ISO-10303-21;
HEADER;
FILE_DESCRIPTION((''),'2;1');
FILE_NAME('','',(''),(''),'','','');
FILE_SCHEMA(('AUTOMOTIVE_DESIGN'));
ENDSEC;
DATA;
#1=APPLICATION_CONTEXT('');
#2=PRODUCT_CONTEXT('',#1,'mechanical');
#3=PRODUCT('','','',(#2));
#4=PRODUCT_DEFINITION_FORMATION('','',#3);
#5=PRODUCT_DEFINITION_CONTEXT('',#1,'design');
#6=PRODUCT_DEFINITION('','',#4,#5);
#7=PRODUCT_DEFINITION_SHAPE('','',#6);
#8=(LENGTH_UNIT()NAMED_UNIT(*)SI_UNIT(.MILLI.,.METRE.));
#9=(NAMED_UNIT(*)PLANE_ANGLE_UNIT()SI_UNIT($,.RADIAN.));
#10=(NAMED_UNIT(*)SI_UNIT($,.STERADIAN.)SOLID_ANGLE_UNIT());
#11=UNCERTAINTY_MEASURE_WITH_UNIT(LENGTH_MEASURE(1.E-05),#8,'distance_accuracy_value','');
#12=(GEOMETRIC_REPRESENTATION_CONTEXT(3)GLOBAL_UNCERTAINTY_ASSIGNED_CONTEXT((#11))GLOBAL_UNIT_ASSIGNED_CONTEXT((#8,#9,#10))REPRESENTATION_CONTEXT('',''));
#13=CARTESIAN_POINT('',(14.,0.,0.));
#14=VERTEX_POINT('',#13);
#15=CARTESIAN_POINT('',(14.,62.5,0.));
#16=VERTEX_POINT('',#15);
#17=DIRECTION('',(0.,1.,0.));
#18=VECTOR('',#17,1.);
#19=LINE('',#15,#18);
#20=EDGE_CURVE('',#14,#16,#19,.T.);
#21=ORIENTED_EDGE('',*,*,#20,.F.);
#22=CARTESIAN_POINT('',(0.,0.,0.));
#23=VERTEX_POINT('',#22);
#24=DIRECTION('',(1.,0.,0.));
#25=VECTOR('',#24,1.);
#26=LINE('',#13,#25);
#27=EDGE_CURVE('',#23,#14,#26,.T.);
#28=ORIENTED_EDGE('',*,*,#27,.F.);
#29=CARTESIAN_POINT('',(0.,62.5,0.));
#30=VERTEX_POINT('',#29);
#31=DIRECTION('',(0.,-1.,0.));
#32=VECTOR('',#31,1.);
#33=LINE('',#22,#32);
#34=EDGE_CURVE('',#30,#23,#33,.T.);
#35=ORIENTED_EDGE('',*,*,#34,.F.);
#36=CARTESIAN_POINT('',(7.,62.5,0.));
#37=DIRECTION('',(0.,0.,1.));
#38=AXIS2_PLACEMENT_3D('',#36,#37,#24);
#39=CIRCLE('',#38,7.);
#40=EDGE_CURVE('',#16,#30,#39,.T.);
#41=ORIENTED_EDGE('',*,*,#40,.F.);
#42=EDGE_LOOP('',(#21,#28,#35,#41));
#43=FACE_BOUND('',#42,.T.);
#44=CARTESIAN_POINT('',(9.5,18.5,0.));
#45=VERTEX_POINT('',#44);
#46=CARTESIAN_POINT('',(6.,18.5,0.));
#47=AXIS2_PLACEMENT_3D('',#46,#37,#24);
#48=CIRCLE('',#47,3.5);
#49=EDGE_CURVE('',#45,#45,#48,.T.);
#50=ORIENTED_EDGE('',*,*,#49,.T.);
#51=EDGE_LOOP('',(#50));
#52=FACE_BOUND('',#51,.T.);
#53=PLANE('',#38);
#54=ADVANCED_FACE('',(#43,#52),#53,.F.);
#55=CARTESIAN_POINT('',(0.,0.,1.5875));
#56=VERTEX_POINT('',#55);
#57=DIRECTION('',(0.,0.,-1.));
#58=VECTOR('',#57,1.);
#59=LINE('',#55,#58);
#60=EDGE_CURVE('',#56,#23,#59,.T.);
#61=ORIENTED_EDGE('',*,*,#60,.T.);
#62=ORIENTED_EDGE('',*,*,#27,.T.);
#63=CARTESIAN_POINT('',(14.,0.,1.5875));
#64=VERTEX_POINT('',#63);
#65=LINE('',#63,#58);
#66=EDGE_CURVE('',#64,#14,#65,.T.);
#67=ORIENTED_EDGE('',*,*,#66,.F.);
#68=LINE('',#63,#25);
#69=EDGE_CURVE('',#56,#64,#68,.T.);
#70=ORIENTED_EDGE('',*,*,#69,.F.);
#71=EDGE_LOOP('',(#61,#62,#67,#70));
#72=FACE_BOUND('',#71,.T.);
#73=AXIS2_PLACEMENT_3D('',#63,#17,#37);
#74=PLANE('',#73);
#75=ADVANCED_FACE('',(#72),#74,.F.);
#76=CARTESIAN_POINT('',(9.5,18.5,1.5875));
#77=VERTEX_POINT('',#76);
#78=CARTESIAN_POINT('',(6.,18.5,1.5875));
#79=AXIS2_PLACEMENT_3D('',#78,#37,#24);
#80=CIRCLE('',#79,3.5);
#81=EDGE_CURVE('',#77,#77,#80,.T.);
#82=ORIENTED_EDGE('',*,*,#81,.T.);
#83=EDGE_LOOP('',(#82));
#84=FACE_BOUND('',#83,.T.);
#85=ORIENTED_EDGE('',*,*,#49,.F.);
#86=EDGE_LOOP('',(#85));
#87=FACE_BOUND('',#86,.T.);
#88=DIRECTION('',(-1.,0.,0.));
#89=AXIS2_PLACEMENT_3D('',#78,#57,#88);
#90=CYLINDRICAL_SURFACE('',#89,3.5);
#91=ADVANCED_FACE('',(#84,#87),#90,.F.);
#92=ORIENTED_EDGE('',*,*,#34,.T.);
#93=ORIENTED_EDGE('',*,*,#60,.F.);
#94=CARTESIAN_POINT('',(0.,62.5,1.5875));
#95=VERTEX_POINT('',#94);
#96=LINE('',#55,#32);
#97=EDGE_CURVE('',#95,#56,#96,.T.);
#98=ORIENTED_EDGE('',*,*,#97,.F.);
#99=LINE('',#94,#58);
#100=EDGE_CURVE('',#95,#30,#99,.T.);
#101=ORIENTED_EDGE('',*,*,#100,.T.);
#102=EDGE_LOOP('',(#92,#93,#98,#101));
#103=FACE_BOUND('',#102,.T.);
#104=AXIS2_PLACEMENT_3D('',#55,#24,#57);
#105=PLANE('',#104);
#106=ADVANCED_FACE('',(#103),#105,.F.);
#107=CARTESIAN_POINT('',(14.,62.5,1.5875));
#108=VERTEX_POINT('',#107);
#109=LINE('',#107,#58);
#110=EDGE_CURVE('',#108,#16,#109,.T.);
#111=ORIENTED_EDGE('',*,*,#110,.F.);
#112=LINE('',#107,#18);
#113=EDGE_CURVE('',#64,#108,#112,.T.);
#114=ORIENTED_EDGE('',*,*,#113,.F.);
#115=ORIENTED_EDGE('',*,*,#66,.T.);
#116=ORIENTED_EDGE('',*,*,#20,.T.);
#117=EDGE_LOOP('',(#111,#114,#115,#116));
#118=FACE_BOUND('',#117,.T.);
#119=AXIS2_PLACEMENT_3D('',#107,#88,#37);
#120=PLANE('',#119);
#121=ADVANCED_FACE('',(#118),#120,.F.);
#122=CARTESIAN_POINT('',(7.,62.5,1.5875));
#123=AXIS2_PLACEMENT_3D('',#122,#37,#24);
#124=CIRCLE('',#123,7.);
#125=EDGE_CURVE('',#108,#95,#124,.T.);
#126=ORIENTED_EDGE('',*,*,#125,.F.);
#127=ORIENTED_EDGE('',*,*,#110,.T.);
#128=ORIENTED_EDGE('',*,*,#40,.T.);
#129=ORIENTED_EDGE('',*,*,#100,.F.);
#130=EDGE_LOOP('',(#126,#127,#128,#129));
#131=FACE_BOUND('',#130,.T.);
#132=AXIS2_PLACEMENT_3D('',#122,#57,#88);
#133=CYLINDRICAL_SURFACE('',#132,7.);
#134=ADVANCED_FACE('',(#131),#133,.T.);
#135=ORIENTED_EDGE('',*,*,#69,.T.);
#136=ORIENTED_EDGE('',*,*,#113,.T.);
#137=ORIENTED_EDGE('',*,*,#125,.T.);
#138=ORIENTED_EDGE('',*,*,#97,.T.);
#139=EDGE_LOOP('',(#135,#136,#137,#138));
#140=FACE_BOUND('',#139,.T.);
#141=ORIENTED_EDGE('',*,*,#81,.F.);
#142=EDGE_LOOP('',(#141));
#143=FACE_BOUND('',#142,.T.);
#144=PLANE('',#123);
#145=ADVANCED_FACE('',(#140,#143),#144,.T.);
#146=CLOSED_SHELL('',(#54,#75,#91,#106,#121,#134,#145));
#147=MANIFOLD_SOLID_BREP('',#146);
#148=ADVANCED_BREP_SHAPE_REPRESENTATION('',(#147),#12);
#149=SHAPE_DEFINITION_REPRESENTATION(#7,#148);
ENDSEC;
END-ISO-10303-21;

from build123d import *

# Parameters (mm, degrees)
MODEL_R             = 3.5
BOSS_EXTRUDE1_DEPTH = 1.5875


with BuildPart() as part:
    # Model → Boss-Extrude1 (new body)
    with BuildSketch(Plane.XY):
        with BuildLine():
            Line((0, 0), (0, 62.5))
            ThreePointArc((0, 62.5), (7, 69.5), (14, 62.5))
            Line((14, 62.5), (14, 0))
            Line((14, 0), (0, 0))
        make_face()
        with Locations((6, 18.5)):
            Circle(MODEL_R, mode=Mode.SUBTRACT)
    extrude(amount=BOSS_EXTRUDE1_DEPTH)


solid = part.part
